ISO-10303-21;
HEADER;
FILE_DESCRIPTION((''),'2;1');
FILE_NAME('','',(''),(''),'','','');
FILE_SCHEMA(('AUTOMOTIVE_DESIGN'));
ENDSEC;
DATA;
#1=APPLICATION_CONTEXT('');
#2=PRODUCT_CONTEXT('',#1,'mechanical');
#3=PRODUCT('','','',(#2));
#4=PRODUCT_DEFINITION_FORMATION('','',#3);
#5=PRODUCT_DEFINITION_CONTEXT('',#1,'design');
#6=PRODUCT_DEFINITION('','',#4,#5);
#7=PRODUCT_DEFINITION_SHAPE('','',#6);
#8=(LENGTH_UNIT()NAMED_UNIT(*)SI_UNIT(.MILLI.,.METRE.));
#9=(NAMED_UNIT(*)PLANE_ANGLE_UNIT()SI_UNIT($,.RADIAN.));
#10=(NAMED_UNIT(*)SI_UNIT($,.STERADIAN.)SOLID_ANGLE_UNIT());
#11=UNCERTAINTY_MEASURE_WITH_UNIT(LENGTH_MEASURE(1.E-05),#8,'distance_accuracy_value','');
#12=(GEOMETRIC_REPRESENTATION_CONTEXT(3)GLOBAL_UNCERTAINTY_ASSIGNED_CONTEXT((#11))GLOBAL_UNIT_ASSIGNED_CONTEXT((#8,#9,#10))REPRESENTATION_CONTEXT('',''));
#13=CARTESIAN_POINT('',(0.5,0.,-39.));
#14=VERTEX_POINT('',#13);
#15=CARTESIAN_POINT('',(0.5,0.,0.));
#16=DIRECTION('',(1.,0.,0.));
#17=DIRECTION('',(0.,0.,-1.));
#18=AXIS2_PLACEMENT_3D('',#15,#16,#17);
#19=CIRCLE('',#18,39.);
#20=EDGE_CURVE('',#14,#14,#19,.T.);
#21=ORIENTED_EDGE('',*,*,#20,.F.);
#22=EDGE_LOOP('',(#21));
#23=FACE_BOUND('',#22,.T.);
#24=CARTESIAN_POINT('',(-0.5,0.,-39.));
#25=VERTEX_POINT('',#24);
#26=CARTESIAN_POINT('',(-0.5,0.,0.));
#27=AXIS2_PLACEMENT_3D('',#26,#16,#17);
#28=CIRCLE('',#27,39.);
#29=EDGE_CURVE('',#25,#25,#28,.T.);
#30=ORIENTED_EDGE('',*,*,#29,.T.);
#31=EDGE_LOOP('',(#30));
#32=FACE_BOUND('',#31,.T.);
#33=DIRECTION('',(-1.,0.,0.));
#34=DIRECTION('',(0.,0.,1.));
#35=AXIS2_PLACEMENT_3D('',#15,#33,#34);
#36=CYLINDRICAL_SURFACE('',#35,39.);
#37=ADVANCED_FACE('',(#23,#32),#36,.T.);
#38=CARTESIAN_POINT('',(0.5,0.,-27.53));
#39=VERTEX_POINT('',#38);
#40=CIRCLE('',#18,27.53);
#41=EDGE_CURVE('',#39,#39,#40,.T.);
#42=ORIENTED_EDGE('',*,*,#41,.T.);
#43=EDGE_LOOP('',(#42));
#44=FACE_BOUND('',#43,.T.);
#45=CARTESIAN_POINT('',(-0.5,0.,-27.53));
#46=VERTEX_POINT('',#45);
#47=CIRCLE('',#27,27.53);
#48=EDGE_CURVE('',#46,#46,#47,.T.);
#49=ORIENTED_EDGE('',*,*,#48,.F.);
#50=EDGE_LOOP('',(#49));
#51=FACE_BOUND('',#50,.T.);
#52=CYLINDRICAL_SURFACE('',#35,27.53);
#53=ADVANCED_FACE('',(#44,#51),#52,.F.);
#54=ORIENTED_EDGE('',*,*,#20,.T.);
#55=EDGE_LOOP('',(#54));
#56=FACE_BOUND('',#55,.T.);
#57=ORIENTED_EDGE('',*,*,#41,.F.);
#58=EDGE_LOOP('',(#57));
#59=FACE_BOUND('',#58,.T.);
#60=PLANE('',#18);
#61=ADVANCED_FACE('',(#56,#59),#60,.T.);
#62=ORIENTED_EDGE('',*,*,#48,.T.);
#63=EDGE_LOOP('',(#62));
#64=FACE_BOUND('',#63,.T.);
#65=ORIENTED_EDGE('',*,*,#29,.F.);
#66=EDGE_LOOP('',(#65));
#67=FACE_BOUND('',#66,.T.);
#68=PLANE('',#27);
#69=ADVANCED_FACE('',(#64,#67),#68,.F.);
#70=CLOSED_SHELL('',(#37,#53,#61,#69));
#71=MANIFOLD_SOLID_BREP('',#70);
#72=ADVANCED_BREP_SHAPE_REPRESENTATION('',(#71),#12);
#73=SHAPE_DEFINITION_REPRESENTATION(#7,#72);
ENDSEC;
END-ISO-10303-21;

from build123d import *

# Parameters (mm, degrees)
BOSS_EXTRUDE1_DEPTH      = 0.5
BOSS_EXTRUDE1_DEPTH_BACK = 0.5
SKETCH3_R                = 39
SKETCH3_R_2              = 27.53


with BuildPart() as part:
    # Sketch3 → Boss-Extrude1 (new, two sides: drawn at the far end of the back side and taken through both)
    with BuildSketch(Plane(origin=(0, 0, 0), x_dir=(0, 0, -1), z_dir=(1, 0, 0)).offset(-BOSS_EXTRUDE1_DEPTH_BACK)):
        Circle(SKETCH3_R)
        Circle(SKETCH3_R_2, mode=Mode.SUBTRACT)
    extrude(amount=BOSS_EXTRUDE1_DEPTH + BOSS_EXTRUDE1_DEPTH_BACK)


solid = part.part
